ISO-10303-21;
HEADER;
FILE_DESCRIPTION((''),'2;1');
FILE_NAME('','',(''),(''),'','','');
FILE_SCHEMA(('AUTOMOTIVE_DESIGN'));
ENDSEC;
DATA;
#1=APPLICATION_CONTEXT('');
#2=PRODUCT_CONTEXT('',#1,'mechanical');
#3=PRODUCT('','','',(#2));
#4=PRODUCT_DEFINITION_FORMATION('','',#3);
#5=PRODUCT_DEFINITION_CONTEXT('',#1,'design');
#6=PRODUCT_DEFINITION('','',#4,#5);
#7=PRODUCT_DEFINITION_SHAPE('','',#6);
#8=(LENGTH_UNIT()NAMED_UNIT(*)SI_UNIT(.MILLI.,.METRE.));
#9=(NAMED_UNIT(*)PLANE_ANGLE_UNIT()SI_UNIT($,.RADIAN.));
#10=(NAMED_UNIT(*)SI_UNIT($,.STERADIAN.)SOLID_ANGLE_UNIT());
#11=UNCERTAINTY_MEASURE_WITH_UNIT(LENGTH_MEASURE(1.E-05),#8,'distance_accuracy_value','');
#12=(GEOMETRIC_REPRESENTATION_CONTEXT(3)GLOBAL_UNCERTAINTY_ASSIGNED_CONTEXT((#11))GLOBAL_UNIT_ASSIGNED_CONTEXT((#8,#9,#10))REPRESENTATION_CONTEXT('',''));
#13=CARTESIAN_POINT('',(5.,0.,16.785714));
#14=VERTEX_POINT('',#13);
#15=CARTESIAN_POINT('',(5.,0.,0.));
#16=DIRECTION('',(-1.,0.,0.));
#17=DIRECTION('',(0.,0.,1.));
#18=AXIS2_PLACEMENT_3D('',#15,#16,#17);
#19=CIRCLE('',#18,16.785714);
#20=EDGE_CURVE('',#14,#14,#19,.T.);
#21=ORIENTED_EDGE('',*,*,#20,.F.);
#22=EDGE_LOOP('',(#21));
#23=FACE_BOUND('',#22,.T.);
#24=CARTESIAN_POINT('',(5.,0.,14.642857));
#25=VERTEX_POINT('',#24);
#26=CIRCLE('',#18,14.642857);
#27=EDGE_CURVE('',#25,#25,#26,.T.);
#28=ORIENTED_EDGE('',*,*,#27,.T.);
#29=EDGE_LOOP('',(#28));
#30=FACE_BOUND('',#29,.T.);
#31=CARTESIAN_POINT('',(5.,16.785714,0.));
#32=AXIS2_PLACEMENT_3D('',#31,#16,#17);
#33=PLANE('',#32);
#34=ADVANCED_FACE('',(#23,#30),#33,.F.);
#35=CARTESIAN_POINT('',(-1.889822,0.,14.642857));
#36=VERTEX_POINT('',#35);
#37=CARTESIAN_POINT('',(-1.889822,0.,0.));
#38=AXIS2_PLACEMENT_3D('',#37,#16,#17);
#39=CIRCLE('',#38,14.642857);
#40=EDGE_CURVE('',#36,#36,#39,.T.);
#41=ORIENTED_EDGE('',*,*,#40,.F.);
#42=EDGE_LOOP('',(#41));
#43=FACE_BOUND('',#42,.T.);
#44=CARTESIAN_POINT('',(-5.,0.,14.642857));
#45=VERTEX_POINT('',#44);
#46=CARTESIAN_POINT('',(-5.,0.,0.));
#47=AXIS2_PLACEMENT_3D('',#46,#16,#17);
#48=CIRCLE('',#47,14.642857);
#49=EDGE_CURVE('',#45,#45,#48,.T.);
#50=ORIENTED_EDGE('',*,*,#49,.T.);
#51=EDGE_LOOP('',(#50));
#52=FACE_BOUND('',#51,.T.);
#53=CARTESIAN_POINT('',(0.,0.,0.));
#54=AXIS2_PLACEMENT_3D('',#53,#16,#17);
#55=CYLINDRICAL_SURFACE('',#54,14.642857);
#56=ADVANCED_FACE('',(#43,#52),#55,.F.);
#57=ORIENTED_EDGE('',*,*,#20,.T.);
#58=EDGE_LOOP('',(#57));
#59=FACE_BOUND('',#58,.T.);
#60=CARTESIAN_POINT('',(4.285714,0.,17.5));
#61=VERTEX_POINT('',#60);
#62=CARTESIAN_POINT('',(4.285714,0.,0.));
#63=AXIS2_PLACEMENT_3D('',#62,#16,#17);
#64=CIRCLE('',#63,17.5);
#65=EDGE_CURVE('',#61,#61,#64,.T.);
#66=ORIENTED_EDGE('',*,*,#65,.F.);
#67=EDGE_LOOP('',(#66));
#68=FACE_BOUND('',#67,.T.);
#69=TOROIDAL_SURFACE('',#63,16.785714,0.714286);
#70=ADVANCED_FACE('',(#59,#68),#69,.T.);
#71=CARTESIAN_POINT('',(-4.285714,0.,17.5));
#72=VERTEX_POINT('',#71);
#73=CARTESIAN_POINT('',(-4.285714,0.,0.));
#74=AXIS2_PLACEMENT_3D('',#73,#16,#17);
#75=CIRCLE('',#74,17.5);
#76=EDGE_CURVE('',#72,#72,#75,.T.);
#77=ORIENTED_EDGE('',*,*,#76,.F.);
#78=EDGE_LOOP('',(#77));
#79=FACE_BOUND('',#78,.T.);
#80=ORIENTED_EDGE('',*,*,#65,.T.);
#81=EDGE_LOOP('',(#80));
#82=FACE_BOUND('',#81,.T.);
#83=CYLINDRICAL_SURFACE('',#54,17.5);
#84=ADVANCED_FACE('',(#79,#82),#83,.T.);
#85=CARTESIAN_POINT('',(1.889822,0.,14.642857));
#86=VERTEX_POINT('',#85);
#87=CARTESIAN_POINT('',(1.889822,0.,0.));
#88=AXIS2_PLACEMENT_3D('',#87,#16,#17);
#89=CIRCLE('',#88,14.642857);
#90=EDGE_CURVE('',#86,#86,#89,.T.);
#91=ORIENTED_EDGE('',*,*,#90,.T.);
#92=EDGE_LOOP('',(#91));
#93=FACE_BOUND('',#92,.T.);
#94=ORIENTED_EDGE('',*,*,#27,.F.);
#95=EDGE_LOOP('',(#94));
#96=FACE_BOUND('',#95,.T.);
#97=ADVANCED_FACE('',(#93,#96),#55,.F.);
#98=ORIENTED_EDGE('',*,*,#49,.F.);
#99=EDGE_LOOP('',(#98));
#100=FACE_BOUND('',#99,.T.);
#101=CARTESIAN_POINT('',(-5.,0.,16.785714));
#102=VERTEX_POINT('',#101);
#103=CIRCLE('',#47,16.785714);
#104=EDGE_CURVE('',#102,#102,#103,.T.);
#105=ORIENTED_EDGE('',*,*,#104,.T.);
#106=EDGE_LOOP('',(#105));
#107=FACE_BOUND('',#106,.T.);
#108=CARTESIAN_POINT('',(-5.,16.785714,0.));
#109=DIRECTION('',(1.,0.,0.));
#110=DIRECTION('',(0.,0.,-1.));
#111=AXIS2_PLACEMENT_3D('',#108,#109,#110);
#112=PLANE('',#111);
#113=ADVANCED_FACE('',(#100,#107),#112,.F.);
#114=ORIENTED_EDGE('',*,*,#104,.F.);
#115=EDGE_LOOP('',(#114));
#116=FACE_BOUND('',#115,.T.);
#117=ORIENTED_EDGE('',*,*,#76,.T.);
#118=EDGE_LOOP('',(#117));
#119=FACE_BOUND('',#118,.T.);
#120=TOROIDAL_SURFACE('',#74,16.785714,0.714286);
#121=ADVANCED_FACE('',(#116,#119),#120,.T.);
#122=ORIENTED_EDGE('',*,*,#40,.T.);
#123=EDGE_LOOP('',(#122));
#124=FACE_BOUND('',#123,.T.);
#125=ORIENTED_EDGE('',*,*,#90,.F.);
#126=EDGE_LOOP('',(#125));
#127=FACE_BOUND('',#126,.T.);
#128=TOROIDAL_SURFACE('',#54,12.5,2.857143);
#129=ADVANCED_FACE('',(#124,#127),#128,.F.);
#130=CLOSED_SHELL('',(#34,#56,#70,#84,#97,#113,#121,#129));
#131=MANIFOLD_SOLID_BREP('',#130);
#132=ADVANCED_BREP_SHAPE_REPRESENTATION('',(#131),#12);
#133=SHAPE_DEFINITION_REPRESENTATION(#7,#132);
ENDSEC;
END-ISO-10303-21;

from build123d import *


with BuildPart() as part:
    # Esquisse1 → Base-Révolution (revolve)
    with BuildSketch(Plane.XY, mode=Mode.PRIVATE) as base_r_volution_sk:
        with BuildLine():
            Line((-4.285714286, 17.5), (4.285714286, 17.5))
            ThreePointArc((4.285714286, 17.5), (4.790790558, 17.290790558), (5, 16.785714286))
            Line((5, 16.785714286), (5, 14.642857143))
            Line((5, 14.642857143), (1.889822365, 14.642857143))
            ThreePointArc((1.889822365, 14.642857143), (0, 15.357142857), (-1.889822365, 14.642857143))
            Line((-1.889822365, 14.642857143), (-5, 14.642857143))
            Line((-5, 14.642857143), (-5, 16.785714286))
            ThreePointArc((-5, 16.785714286), (-4.790790558, 17.290790558), (-4.285714286, 17.5))
        make_face()
    revolve(base_r_volution_sk.sketch.rotate(Axis((0, 0, 0), (1, 0, 0)), 90), axis=Axis((0, 0, 0), (1, 0, 0)))


solid = part.part
